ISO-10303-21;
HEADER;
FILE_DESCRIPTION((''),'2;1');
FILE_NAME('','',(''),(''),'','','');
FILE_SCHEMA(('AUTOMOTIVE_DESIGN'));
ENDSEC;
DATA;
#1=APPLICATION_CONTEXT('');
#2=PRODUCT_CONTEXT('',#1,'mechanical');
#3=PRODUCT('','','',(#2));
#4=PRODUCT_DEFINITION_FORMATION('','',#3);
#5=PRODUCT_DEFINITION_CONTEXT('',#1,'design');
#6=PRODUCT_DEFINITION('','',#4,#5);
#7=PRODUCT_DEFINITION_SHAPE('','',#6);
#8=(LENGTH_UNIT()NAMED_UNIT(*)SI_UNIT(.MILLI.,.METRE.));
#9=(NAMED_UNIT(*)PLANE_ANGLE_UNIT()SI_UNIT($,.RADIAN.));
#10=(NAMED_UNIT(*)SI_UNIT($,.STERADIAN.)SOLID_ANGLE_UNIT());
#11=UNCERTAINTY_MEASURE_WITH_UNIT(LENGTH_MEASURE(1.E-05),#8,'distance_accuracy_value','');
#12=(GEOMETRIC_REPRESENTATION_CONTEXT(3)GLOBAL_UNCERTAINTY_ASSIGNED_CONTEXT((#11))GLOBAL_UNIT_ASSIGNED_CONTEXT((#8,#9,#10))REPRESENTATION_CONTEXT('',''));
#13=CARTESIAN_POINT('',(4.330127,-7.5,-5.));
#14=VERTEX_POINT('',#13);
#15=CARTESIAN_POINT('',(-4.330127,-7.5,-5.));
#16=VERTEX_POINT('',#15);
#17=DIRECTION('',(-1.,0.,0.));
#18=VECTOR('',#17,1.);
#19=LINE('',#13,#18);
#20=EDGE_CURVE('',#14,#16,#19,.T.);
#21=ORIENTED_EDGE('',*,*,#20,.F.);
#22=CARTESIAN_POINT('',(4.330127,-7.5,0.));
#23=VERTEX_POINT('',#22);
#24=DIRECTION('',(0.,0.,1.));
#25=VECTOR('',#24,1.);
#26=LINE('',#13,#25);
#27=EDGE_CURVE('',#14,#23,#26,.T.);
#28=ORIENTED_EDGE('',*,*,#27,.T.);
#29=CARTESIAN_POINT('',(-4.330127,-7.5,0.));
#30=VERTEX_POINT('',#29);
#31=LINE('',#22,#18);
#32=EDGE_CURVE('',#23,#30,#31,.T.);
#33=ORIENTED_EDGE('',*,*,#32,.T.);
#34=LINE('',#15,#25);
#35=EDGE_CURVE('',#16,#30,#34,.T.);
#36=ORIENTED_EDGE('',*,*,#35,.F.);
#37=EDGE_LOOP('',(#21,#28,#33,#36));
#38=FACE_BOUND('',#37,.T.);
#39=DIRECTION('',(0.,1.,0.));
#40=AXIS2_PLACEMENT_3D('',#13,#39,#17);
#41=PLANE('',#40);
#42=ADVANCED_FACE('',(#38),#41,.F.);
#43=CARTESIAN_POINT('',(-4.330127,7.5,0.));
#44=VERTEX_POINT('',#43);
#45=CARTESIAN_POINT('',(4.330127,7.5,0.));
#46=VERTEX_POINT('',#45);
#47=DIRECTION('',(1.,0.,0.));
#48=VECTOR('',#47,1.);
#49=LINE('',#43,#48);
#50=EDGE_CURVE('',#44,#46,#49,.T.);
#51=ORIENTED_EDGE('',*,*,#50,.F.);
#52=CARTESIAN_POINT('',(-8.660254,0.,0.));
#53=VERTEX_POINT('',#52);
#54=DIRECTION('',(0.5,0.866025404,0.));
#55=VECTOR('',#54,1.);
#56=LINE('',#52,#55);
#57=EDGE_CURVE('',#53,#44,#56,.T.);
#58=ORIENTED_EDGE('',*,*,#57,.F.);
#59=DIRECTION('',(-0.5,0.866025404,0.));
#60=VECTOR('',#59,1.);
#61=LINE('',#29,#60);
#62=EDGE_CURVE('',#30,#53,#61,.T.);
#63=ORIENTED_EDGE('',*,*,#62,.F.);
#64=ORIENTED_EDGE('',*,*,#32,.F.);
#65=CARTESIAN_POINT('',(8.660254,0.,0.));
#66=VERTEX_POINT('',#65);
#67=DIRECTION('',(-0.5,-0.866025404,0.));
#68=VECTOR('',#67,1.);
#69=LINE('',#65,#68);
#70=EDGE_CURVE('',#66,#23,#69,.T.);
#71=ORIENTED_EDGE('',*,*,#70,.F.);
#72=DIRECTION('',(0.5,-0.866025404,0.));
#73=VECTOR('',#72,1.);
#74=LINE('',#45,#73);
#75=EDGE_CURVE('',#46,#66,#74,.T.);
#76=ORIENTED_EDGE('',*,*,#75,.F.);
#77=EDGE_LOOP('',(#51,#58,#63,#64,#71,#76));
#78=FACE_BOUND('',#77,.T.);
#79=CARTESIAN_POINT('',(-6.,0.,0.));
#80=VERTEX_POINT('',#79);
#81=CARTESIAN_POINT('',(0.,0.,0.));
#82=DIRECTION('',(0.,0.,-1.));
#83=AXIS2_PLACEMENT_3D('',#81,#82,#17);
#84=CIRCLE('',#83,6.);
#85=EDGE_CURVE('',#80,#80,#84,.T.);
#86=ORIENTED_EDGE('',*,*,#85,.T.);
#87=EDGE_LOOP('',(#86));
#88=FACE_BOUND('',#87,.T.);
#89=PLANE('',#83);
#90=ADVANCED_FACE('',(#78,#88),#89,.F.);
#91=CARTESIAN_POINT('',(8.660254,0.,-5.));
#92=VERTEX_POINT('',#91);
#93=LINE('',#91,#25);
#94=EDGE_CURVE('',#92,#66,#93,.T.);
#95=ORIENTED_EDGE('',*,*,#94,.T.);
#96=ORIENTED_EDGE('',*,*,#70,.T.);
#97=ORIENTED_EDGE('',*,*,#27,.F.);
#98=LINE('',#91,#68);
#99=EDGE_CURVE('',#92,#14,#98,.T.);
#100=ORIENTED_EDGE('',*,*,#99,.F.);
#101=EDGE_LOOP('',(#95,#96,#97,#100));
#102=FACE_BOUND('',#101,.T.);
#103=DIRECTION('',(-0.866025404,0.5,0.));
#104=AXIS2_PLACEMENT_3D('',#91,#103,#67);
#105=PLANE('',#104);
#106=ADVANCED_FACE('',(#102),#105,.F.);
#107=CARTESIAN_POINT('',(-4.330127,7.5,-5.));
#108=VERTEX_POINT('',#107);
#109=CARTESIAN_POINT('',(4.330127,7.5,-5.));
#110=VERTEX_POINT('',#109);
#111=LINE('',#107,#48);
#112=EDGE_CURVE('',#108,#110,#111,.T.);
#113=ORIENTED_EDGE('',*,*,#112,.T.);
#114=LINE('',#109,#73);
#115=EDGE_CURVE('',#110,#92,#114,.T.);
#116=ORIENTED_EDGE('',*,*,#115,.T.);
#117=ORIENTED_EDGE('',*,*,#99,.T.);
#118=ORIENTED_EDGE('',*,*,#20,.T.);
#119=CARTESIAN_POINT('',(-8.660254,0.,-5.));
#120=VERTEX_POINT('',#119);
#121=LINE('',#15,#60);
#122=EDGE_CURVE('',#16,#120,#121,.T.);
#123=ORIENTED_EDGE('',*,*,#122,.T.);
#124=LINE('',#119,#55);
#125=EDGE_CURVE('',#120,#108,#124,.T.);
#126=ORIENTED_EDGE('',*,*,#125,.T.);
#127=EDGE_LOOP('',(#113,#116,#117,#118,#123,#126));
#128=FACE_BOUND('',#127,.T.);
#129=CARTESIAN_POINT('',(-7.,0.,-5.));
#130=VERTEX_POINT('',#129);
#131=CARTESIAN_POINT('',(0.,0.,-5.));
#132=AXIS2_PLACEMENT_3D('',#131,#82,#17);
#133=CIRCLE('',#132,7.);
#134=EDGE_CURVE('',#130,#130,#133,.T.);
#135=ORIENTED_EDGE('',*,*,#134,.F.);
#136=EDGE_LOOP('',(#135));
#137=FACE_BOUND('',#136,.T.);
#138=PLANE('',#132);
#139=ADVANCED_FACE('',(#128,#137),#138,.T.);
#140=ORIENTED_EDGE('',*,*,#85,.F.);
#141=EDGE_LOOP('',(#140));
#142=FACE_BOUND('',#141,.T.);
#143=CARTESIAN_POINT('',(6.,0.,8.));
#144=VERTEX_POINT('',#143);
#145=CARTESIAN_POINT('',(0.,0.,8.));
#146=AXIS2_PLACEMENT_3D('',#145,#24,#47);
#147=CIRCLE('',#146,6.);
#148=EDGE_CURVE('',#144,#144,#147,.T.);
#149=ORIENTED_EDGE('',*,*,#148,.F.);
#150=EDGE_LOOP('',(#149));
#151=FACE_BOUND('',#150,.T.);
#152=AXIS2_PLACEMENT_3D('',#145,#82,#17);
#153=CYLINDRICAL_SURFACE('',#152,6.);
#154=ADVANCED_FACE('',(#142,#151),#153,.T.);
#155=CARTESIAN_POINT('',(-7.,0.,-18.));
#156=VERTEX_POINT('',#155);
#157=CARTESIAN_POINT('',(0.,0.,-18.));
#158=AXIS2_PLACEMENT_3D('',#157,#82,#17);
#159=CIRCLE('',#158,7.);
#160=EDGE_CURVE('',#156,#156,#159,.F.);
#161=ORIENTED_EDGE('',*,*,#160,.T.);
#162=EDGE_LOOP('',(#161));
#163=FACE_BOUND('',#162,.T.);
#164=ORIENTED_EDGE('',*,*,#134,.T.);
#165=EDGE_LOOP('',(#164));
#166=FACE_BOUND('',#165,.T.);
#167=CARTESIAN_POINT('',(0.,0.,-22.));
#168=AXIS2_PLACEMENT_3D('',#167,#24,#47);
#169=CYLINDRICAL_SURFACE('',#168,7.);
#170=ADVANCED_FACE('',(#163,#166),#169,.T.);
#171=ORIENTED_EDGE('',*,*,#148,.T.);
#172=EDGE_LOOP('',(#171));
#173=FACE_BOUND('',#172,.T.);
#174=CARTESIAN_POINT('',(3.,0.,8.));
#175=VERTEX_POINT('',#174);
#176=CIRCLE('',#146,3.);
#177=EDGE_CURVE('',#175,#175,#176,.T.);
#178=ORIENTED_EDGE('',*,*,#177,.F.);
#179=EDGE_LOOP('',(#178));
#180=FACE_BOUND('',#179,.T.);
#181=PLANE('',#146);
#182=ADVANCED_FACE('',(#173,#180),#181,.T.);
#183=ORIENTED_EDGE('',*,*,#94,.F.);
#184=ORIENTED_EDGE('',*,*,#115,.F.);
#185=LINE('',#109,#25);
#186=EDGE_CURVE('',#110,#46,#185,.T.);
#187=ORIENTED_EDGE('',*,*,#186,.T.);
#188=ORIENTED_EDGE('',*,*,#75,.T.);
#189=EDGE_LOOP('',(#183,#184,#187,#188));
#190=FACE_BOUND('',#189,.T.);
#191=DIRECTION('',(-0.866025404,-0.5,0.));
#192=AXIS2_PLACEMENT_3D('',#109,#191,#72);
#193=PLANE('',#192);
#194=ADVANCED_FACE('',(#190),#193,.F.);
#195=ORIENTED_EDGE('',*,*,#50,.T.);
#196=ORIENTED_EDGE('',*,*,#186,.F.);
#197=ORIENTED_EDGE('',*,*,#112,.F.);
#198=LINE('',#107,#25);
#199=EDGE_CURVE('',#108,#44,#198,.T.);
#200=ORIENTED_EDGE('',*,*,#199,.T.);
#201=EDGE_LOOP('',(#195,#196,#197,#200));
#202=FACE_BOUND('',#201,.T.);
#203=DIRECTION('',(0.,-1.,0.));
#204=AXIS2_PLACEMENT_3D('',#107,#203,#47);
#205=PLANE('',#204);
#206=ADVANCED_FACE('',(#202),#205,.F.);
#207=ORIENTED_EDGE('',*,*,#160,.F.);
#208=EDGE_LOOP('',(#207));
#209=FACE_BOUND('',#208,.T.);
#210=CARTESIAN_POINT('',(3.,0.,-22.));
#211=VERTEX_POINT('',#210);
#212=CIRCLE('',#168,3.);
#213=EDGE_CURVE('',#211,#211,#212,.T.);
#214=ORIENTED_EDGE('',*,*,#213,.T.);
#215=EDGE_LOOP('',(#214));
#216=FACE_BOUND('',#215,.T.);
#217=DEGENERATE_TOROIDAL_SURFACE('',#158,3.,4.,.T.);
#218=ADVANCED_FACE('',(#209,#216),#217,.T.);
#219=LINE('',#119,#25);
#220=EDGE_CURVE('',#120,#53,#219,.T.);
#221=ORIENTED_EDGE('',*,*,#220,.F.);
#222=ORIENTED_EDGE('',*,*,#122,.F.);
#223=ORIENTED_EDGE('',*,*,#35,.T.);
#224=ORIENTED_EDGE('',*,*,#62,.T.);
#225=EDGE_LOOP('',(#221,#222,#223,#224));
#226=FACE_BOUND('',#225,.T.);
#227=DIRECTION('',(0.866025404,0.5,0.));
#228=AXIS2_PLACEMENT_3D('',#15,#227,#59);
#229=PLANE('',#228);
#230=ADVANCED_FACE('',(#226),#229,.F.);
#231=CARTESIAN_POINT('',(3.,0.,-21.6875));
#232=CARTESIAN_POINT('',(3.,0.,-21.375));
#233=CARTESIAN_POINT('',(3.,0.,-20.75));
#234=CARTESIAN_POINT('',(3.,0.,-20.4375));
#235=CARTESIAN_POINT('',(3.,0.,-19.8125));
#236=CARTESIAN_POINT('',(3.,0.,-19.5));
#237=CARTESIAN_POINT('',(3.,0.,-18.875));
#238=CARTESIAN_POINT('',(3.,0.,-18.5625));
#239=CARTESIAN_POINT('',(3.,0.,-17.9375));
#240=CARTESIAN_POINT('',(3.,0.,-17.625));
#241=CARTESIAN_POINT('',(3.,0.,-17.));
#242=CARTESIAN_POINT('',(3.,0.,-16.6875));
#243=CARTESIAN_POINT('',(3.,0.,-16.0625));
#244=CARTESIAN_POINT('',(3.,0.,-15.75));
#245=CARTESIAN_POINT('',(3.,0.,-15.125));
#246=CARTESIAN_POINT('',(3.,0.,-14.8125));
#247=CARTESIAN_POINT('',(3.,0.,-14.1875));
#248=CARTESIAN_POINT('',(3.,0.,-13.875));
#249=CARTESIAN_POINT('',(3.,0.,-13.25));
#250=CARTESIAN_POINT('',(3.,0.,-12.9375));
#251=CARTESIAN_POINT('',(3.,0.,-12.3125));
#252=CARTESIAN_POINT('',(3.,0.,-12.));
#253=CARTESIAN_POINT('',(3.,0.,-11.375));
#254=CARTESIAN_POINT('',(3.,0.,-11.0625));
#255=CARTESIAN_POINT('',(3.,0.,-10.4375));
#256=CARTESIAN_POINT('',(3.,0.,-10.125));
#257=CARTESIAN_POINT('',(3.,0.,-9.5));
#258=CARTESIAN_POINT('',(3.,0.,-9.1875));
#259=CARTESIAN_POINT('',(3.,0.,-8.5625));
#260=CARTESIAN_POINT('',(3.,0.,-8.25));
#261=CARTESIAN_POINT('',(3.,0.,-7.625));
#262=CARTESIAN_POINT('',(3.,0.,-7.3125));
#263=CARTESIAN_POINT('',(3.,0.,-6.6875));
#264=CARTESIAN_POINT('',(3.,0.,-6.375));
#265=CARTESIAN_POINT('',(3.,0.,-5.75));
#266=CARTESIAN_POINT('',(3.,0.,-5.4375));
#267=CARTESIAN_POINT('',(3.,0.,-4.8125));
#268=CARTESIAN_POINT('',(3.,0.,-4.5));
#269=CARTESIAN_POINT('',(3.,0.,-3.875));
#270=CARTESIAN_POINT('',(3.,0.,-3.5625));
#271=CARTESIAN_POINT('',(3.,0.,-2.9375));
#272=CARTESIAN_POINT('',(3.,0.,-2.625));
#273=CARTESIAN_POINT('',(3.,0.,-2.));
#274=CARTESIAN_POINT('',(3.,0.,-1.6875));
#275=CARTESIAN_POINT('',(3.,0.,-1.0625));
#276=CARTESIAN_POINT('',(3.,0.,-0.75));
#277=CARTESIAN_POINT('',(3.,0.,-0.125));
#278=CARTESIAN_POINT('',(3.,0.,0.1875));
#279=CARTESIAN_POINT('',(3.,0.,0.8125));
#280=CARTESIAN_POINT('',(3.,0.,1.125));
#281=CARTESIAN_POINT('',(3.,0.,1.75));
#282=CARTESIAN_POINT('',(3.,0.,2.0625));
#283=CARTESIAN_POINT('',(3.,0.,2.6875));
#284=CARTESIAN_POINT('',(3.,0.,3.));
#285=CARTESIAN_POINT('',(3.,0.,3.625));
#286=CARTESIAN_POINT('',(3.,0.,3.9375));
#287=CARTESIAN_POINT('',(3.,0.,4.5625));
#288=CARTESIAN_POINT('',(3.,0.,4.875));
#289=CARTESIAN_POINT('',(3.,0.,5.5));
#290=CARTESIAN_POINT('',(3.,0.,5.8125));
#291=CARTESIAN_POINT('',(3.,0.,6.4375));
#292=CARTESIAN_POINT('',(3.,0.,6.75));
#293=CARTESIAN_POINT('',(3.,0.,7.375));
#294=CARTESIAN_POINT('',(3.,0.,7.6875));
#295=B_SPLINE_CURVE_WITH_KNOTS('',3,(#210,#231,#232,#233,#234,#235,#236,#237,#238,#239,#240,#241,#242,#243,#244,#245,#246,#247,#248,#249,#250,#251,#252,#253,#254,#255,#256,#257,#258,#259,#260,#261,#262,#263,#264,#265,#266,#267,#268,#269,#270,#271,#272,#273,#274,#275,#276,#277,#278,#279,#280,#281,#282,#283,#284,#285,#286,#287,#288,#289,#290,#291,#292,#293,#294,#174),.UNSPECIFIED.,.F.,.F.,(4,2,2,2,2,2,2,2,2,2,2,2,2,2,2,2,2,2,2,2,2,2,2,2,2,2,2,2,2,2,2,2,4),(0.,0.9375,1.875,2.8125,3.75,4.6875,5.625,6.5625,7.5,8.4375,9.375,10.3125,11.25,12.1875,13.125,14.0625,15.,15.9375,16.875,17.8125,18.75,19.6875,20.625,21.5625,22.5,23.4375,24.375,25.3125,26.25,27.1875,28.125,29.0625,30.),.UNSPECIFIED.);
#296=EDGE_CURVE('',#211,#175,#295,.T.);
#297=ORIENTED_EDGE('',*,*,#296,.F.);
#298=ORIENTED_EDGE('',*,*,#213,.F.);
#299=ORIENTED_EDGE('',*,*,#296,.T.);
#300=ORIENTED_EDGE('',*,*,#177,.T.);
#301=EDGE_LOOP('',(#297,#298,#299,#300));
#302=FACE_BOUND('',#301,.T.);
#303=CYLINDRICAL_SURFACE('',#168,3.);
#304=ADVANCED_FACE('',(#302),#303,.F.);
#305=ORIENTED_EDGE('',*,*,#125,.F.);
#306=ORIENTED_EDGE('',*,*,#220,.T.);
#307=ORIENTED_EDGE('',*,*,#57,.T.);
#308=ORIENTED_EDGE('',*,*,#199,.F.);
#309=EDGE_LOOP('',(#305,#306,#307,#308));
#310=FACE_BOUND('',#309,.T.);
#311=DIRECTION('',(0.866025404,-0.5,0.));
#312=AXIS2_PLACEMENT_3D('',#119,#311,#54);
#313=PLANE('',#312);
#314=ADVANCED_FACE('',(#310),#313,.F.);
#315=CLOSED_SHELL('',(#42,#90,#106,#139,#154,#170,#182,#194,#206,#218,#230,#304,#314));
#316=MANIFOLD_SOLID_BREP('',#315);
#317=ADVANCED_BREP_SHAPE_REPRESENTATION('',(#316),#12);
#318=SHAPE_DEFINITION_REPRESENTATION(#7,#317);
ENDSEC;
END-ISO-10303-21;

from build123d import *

# Parameters (mm, degrees)
SKICA1_R                 = 6
P_IDAT_VYSUNUT_M1_DEPTH  = 8
P_IDAT_VYSUNUT_M2_DEPTH  = 5
SKICA3_R                 = 7
P_IDAT_VYSUNUT_M3_DEPTH  = 17
ZAOBLIT1_R               = 4
SKICA4_R                 = 3
ODEBRAT_VYSUNUT_M1_DEPTH = 33.113081447


with BuildPart() as part:
    # Skica1 → Přidat vysunutím1 (new body)
    with BuildSketch(Plane.XY):
        Circle(SKICA1_R)
    extrude(amount=P_IDAT_VYSUNUT_M1_DEPTH)

    # Skica2 → Přidat vysunutím2 (add)
    with BuildSketch(Plane(origin=(0, 0, 0), x_dir=(-1, 0, 0), z_dir=(0, 0, -1))):
        Polygon((4.330127019, -7.5), (8.660254038, 0), (4.330127019, 7.5), (-4.330127019, 7.5), (-8.660254038, 0), (-4.330127019, -7.5), align=None)
    extrude(amount=P_IDAT_VYSUNUT_M2_DEPTH)

    # Skica3 → Přidat vysunutím3 (add)
    with BuildSketch(Plane(origin=(0, 0, -5), x_dir=(-1, 0, 0), z_dir=(0, 0, -1))):
        Circle(SKICA3_R)
    extrude(amount=P_IDAT_VYSUNUT_M3_DEPTH)

    # Zaoblit1
    zaoblit1_edges = [part.edges().sort_by_distance(p)[0] for p in [
        (7, 0, -22),
    ]]
    fillet(zaoblit1_edges, radius=ZAOBLIT1_R)

    # Skica4 → Odebrat vysunutím1 (cut, through all)
    with BuildSketch(Plane.XY.offset(8)):
        Circle(SKICA4_R)
    extrude(amount=-ODEBRAT_VYSUNUT_M1_DEPTH, mode=Mode.SUBTRACT)


solid = part.part
